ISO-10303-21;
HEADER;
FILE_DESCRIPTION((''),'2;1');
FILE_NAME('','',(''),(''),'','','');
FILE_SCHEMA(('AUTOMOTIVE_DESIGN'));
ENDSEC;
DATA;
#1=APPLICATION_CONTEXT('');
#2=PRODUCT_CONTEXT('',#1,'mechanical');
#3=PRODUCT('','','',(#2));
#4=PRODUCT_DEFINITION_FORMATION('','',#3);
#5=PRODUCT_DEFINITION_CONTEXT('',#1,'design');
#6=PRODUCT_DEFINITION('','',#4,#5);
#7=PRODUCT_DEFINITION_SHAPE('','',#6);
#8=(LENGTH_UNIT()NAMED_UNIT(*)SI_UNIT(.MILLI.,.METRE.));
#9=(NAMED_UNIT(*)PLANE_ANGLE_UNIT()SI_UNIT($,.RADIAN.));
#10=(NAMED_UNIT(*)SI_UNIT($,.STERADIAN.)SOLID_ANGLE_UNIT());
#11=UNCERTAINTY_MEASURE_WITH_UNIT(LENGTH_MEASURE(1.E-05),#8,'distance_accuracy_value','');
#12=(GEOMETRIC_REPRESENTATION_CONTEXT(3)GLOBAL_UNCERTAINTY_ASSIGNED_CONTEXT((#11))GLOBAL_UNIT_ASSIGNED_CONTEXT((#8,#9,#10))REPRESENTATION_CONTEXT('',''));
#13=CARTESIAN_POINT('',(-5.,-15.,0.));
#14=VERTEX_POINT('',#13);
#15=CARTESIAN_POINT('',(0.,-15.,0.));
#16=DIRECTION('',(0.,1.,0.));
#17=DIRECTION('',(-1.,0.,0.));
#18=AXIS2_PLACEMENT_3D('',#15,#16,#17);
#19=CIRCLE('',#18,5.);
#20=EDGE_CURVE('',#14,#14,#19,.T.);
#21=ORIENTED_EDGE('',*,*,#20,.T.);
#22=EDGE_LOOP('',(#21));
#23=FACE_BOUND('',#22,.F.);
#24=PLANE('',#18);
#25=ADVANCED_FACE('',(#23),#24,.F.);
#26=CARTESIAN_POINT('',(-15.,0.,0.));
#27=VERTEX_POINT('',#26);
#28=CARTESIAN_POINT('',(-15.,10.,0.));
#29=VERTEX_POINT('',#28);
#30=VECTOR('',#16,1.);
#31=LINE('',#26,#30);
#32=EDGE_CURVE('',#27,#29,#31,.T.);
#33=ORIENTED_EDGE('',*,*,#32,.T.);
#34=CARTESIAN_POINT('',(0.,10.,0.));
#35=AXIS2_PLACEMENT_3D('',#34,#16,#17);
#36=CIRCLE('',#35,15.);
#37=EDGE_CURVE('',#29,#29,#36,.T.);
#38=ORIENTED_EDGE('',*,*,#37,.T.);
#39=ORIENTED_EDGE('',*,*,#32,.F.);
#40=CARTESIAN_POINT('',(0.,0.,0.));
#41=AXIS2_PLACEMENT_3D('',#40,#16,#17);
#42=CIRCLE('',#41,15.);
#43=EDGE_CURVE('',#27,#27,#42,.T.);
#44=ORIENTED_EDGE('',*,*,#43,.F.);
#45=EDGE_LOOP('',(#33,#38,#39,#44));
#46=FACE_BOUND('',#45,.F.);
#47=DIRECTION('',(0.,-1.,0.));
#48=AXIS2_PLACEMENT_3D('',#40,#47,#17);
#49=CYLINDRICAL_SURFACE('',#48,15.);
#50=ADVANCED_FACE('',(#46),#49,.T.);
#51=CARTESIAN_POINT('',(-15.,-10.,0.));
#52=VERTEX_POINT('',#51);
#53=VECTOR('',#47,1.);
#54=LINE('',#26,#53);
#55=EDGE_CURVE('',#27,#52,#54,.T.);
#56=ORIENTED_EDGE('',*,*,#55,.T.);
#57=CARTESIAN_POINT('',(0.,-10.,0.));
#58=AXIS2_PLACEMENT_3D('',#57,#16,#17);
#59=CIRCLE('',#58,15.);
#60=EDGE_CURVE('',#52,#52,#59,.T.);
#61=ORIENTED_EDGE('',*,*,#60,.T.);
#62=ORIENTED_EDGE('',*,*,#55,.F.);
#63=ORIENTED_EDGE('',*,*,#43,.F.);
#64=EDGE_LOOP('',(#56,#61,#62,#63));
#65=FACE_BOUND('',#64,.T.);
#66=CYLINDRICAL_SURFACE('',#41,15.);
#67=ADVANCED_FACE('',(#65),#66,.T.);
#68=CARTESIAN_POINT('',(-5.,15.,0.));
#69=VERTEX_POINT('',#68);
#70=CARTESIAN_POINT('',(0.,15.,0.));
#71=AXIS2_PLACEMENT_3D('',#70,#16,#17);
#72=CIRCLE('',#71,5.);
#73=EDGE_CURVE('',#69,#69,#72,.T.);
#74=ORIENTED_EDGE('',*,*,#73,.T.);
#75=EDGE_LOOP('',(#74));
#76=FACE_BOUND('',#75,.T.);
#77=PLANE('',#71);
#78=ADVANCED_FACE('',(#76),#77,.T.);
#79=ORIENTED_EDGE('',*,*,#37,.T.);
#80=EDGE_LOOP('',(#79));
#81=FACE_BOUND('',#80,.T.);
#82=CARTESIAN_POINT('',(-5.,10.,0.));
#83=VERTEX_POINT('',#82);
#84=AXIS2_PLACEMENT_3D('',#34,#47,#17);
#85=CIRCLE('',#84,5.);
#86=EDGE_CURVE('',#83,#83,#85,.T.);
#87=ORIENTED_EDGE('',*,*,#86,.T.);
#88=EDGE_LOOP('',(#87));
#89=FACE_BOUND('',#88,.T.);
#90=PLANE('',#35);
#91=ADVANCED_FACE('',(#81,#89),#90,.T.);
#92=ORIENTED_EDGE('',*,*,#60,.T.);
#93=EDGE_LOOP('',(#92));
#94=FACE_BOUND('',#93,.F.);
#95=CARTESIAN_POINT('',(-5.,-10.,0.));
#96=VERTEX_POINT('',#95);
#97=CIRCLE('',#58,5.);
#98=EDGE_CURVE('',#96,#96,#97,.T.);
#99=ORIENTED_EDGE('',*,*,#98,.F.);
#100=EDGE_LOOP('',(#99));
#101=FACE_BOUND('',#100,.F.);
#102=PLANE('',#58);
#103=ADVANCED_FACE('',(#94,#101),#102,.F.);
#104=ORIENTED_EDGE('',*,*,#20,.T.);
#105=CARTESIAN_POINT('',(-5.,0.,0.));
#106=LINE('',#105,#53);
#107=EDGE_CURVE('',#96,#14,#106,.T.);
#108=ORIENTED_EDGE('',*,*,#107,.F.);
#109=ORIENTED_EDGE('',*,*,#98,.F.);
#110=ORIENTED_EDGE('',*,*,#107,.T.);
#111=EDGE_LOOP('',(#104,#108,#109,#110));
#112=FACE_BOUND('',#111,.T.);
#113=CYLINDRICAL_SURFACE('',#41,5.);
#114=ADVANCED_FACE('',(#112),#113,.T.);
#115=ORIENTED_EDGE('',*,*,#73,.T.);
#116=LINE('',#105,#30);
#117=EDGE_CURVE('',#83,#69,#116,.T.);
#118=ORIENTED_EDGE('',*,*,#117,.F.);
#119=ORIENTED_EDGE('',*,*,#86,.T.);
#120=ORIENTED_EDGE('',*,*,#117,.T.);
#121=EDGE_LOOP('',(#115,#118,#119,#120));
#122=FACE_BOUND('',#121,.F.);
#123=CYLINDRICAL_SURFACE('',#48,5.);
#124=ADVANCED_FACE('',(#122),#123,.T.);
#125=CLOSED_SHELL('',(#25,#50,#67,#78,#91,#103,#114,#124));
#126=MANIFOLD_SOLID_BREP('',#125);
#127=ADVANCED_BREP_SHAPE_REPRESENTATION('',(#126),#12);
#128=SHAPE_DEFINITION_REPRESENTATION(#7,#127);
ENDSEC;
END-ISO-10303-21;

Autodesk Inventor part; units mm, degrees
ref_plane "YZ Plane" through (0, 0, 0) normal (1, 0, 0) x (0, 1, 0)
ref_plane "XZ Plane" through (0, 0, 0) normal (0, 1, 0) x (-1, 0, 0)
ref_plane "XY Plane" through (0, 0, 0) normal (0, 0, 1) x (1, 0, 0)
sketch "스케치1" plane through (0, 0, 0) normal (0, 1, 0) x (-1, 0, 0)
  circle A0 centre (0, 0) radius 15
  dimension "d0" = 30
extrude "돌출1" add sketch "스케치1" along normal mid plane 20
sketch "스케치3" plane through (0, 0, 0) normal (0, 1, 0) x (-1, 0, 0)
  circle A0 centre (0, 0) radius 5
  dimension "d3" = 10
extrude "돌출2" add sketch "스케치3" along normal mid plane 30
properties part number "wheel_bolt" material "강철, 연강"
